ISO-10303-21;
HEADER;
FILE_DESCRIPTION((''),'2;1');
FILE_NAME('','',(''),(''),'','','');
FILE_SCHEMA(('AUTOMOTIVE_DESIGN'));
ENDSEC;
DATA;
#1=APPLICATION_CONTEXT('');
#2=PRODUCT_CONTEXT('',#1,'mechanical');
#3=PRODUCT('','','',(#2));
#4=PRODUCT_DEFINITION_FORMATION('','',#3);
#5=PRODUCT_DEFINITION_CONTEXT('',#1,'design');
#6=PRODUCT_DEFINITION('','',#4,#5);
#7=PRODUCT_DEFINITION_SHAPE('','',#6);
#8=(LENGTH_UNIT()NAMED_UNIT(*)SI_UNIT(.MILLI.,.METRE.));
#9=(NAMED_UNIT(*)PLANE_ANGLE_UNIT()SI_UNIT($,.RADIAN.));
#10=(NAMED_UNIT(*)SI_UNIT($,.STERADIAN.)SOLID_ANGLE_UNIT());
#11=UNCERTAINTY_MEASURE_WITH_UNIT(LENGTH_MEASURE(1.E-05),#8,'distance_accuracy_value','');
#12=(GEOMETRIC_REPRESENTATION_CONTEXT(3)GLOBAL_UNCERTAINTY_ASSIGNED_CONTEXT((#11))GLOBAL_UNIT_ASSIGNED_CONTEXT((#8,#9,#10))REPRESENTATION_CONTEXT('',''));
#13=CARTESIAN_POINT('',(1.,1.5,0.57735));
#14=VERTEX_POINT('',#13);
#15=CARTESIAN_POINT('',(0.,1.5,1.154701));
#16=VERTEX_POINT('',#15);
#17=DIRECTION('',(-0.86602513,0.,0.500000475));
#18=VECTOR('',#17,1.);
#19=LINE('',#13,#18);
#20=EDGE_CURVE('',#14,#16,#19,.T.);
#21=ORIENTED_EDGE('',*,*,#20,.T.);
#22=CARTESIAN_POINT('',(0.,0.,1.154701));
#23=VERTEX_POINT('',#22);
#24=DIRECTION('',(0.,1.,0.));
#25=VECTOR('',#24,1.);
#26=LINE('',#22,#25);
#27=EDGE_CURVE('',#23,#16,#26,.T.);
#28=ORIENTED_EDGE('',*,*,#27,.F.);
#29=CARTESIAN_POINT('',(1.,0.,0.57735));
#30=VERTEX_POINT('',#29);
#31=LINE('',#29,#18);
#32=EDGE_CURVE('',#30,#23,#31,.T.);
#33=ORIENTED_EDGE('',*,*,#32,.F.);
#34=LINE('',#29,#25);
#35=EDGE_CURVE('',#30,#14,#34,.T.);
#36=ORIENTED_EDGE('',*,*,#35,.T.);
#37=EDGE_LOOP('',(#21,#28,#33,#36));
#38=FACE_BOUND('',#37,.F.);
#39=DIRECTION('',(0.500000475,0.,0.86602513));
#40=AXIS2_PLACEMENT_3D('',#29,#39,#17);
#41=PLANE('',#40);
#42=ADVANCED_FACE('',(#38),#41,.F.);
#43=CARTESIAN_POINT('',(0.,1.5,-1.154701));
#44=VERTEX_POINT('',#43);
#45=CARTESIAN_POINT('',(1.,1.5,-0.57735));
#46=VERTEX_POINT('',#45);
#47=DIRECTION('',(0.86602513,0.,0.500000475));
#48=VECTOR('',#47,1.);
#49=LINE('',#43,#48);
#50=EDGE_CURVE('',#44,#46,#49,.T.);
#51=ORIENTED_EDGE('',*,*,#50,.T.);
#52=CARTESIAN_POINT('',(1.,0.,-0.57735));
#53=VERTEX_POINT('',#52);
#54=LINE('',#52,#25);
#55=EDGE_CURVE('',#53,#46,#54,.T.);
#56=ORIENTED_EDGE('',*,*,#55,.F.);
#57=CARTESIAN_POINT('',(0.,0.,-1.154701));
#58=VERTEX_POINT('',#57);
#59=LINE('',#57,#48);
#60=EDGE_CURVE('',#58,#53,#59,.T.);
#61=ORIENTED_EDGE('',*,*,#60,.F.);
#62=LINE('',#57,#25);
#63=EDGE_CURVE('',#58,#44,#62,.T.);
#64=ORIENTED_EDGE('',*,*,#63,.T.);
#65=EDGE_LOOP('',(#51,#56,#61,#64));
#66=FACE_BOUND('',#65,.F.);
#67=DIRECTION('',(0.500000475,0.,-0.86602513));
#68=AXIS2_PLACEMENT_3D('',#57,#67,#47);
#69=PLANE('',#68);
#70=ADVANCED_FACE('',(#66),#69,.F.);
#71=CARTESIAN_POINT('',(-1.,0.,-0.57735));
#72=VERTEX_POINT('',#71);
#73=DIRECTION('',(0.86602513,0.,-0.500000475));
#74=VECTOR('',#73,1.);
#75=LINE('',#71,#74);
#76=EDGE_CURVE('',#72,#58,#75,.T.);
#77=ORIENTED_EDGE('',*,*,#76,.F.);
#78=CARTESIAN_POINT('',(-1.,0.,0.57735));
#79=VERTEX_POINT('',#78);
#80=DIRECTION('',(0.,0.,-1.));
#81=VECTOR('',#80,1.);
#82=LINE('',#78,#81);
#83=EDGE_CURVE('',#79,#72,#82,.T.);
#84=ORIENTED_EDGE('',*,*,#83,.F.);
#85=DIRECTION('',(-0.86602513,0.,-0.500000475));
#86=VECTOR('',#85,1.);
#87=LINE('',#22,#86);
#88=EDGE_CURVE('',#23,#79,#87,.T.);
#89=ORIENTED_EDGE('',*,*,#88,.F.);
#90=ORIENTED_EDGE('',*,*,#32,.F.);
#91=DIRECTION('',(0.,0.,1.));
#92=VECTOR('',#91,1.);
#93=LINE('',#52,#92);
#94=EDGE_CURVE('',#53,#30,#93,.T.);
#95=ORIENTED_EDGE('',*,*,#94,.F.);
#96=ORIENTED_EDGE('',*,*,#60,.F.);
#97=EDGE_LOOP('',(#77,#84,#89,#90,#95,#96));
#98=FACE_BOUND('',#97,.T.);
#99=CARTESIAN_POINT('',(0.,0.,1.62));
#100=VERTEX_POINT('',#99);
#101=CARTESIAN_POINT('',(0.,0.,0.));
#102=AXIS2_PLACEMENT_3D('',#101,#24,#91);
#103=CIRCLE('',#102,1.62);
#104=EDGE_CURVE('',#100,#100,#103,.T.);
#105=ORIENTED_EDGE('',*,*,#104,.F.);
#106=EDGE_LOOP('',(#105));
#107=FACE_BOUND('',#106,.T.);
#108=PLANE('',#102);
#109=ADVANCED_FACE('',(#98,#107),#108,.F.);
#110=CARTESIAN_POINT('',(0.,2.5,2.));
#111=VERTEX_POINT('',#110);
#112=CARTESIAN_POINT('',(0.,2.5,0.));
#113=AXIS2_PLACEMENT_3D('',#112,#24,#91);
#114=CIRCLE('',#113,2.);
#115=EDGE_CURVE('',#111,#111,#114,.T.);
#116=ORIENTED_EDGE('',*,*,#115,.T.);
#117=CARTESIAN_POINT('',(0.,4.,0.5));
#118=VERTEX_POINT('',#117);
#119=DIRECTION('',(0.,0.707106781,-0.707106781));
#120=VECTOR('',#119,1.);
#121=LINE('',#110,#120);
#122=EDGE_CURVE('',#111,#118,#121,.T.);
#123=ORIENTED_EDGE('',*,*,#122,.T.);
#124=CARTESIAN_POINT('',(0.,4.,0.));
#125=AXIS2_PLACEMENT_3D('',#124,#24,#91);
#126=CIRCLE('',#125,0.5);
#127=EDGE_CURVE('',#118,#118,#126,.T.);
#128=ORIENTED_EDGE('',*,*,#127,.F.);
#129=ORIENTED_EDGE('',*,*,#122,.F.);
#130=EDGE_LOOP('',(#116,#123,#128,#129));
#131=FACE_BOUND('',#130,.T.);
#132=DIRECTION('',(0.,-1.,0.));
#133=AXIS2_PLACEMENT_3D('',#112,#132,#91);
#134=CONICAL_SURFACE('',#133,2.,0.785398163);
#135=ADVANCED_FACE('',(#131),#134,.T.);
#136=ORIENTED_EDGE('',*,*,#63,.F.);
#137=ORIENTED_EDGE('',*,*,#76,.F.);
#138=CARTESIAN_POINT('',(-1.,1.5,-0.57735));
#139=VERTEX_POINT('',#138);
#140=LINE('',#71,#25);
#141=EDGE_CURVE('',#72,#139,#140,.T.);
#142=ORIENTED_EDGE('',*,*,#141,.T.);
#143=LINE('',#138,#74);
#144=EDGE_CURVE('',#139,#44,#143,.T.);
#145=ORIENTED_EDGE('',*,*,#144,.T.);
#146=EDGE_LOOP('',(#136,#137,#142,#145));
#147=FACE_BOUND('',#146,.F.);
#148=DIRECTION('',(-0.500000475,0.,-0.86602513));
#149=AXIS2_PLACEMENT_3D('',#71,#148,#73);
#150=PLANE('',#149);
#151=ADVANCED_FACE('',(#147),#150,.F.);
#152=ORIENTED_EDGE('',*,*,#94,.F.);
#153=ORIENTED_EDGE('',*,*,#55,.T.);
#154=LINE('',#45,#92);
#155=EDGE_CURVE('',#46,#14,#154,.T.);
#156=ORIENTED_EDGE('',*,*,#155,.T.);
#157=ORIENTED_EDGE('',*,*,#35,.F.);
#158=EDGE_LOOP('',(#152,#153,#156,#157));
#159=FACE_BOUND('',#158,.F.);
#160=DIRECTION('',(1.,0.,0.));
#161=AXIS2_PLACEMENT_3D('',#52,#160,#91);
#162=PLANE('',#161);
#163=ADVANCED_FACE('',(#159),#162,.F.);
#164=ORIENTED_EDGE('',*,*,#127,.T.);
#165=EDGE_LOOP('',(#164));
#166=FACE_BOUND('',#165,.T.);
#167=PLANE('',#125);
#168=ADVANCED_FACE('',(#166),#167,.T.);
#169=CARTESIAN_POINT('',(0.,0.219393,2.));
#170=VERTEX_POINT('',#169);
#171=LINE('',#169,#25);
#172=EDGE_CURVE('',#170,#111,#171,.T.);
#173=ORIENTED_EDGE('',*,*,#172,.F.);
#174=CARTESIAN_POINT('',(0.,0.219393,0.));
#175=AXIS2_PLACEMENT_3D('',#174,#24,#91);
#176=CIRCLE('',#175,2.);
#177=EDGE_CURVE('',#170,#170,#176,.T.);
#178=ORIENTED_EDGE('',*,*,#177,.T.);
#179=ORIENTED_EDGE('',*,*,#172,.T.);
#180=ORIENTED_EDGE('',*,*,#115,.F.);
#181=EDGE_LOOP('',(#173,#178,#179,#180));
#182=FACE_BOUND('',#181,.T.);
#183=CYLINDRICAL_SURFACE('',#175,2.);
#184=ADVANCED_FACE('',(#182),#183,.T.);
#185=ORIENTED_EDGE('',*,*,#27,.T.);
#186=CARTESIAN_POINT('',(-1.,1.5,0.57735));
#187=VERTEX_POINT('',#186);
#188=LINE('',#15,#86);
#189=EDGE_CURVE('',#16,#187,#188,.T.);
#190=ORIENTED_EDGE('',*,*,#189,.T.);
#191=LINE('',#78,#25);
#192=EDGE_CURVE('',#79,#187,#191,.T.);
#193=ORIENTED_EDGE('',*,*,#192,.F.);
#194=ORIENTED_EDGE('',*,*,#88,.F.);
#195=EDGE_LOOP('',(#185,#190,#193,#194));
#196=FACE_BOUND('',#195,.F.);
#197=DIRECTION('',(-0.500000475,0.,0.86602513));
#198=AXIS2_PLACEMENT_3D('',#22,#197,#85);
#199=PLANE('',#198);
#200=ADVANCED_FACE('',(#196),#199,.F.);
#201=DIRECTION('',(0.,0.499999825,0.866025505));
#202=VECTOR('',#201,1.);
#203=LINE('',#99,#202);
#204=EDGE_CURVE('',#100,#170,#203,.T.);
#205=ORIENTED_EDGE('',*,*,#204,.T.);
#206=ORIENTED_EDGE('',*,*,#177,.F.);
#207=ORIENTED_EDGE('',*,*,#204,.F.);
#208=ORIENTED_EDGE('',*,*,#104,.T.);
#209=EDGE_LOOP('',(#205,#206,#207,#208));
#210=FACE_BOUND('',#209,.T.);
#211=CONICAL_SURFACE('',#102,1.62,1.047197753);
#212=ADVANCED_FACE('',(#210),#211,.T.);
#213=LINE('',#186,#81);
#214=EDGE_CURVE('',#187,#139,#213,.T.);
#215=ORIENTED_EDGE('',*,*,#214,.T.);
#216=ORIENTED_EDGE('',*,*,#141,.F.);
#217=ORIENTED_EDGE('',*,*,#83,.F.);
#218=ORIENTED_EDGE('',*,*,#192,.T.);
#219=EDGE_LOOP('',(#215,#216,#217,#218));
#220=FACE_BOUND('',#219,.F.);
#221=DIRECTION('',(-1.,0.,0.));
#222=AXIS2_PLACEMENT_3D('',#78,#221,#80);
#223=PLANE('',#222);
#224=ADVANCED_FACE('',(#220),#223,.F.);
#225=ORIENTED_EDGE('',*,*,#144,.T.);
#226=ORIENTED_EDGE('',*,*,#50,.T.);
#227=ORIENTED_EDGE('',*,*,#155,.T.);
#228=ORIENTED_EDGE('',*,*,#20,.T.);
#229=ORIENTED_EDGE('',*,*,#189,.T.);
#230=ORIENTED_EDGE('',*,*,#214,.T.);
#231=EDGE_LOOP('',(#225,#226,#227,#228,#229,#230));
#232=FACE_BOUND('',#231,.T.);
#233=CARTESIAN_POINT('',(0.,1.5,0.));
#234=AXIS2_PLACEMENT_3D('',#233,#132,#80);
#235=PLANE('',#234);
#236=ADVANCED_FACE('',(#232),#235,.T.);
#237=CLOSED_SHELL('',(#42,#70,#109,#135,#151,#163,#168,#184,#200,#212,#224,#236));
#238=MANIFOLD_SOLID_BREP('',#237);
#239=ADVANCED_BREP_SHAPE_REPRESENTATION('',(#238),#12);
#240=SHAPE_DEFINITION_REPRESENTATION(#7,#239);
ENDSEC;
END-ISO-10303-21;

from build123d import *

# Parameters (mm, degrees)
POCKET_DEPTH = 1.5


with BuildPart() as part:
    # Sketch → Revolution (revolve)
    with BuildSketch(Plane.YZ):
        Polygon((0, 0), (0, 1.62), (0.219393, 2), (2.5, 2), (4, 0.5), (4, 0), align=None)
    revolve(axis=Axis((0, 0, 0), (0, 1, 0)))

    # Sketch001 → Pocket (cut)
    with BuildSketch(Plane(origin=(0, 0, 0), x_dir=(0, 0, -1), z_dir=(0, -1, 0))):
        Polygon((-0.57735, -1), (0.57735, -1), (1.154701, 0), (0.57735, 1), (-0.57735, 1), (-1.154701, 0), align=None)
    extrude(amount=-POCKET_DEPTH, mode=Mode.SUBTRACT)


solid = part.part
